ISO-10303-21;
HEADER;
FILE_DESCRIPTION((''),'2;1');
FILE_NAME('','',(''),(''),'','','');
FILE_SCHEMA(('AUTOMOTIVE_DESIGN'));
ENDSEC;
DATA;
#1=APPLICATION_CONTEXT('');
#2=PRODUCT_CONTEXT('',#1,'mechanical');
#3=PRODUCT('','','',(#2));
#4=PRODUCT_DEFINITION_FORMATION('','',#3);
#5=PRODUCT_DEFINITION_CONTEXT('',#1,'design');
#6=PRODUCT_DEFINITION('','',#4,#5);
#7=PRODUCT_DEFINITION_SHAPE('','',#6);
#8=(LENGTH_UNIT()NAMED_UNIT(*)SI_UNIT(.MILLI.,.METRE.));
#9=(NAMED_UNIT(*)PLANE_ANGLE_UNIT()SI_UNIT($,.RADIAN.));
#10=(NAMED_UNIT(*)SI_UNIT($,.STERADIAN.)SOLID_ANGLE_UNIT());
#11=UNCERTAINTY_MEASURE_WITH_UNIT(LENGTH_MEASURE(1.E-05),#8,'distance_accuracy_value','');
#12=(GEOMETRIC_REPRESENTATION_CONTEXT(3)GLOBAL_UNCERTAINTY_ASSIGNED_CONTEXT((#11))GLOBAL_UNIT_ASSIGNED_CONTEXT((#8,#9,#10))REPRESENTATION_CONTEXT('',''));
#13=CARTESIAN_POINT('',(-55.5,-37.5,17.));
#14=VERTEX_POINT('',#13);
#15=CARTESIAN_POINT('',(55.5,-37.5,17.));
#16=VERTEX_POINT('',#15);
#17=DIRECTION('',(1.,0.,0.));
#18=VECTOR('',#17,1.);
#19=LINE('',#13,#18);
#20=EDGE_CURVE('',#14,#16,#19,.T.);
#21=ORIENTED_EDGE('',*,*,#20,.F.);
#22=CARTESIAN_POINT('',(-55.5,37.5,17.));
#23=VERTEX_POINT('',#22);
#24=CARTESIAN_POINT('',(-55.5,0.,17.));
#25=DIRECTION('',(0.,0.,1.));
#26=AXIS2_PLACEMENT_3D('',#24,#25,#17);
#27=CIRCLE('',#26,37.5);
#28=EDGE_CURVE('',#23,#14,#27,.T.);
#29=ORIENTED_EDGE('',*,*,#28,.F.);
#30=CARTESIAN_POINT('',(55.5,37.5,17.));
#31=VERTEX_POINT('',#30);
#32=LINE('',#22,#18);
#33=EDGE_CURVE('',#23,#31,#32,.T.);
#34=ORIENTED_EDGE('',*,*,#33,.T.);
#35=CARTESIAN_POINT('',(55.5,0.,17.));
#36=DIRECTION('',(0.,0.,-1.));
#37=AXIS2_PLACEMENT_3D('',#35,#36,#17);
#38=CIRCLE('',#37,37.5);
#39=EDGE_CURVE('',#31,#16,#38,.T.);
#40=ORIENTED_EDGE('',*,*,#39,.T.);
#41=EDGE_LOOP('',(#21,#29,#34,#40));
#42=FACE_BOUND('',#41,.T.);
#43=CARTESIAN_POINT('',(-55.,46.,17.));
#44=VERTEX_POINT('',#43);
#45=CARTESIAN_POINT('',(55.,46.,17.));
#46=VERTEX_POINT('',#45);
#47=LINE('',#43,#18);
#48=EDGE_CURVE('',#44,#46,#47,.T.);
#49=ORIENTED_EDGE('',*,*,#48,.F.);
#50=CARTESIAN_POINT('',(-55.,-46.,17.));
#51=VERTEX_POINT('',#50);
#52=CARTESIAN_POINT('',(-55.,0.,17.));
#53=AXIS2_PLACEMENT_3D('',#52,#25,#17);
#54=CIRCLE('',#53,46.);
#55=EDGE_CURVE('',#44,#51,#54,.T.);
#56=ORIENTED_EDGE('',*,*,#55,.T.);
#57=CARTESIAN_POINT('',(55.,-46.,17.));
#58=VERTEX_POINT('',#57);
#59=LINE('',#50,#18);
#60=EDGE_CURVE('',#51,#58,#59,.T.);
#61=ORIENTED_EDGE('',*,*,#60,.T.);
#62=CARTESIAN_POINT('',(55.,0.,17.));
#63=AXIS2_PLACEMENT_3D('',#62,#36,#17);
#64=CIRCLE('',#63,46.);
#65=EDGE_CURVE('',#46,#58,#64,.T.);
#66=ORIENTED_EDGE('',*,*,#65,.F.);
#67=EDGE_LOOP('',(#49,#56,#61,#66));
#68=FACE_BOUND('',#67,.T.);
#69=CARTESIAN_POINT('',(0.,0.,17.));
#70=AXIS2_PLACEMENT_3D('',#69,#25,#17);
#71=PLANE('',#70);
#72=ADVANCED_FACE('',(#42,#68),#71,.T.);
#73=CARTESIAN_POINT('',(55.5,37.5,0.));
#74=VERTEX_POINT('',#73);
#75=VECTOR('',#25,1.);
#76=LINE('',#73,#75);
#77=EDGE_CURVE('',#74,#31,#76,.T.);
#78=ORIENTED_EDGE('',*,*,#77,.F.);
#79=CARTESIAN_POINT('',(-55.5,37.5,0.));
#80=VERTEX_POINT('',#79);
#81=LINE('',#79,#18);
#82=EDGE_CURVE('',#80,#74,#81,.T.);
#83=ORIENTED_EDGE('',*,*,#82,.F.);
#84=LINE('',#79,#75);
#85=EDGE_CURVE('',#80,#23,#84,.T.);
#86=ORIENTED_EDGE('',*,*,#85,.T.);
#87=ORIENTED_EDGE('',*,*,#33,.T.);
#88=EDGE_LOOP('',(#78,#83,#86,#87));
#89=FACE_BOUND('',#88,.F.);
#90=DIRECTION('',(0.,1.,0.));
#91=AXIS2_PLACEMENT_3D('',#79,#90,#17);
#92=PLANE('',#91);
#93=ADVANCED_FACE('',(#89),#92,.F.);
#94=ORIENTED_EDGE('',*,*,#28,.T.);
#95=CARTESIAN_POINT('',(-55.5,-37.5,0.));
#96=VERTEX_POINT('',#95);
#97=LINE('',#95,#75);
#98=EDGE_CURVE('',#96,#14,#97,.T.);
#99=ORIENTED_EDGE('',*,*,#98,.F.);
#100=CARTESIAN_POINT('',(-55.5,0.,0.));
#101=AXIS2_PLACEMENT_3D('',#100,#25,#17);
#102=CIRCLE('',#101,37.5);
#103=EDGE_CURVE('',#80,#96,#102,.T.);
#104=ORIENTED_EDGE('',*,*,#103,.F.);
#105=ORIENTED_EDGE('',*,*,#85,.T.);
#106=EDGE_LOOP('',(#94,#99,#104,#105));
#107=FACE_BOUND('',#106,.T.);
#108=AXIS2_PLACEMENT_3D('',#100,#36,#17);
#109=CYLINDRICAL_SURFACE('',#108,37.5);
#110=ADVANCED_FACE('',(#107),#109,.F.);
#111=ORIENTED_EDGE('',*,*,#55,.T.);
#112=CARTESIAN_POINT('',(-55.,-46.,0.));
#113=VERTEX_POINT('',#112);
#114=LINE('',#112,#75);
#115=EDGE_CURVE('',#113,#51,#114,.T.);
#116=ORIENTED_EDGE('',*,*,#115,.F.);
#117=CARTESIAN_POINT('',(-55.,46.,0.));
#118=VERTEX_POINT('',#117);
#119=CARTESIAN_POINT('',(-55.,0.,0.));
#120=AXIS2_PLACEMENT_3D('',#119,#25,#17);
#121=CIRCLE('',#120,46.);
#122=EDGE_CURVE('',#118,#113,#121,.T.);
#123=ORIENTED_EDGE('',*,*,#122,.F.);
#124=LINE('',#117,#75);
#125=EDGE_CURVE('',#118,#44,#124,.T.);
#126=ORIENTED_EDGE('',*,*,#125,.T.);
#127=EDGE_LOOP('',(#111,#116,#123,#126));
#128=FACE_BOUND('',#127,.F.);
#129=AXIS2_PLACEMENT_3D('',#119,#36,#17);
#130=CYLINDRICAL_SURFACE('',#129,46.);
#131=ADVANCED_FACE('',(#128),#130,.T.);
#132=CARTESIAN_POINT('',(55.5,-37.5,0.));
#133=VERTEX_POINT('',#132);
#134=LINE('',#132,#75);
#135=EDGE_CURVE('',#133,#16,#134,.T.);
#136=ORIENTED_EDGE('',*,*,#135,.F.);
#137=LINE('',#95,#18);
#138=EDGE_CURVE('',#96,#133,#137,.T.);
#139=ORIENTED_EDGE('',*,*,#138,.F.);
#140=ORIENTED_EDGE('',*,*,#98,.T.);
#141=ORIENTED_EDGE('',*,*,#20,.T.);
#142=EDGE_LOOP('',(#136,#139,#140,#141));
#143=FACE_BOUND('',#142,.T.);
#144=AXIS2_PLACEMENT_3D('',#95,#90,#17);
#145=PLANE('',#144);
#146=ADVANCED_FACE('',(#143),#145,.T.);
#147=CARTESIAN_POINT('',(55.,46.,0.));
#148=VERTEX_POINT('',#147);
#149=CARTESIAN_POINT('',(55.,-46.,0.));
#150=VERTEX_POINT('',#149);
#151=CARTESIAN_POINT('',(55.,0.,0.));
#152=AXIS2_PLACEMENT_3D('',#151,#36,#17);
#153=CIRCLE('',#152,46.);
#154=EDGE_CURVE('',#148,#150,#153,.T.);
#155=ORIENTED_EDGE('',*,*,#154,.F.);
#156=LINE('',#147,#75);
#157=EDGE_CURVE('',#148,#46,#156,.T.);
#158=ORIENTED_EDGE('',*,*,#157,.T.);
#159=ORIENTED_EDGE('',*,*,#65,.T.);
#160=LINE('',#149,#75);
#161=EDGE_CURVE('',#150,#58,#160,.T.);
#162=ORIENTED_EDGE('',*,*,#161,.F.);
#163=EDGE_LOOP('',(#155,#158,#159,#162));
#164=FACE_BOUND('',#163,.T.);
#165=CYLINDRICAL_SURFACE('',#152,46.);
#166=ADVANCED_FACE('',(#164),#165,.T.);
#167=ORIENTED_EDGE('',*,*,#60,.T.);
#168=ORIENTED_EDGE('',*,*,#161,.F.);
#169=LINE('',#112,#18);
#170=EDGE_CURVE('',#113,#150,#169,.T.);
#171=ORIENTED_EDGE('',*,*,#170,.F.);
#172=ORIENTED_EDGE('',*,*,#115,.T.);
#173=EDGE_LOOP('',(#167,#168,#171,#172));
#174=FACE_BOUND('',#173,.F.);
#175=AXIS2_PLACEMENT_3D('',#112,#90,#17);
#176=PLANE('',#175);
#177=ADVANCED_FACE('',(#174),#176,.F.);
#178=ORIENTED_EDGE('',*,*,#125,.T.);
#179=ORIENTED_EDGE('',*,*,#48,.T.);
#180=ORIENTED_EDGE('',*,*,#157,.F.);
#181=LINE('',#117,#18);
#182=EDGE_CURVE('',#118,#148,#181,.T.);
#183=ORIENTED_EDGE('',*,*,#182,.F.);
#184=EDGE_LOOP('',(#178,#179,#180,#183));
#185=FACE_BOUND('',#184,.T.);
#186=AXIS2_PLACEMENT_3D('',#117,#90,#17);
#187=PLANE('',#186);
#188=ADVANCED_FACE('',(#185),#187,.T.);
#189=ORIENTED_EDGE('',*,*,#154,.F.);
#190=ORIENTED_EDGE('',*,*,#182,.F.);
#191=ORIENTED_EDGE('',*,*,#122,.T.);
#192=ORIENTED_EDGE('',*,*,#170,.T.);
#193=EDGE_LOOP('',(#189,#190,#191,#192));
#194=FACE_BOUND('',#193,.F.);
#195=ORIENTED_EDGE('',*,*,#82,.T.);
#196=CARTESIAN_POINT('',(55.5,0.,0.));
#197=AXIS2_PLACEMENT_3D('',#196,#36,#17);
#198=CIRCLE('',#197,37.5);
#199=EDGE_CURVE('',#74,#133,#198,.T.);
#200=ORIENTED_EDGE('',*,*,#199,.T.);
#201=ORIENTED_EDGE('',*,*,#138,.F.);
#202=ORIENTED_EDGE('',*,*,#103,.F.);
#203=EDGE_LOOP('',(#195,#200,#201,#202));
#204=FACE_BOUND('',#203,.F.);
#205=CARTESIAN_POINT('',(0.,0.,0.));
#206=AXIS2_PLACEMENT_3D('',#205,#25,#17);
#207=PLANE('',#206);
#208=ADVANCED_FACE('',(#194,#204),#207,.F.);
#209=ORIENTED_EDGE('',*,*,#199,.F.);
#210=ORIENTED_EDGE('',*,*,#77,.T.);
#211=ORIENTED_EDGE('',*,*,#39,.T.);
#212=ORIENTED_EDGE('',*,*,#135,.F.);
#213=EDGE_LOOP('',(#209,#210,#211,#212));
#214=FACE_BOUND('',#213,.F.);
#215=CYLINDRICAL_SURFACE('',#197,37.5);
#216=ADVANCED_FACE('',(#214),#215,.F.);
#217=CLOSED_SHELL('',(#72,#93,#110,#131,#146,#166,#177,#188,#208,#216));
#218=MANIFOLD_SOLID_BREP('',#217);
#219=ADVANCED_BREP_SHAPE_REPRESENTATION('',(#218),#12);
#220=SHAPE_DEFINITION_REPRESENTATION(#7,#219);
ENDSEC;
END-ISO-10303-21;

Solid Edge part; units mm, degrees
sketch "Sketch1" plane through (0, 0, 0) normal (0, 0, 1) x (1, 0, 0)
  line L0 (-55, -46) -> (55, -46)
  arc A0 (55, 46) -> (55, -46) centre (55, 0) cw
  line L1 (-55, 46) -> (55, 46)
  arc A1 (-55, 46) -> (-55, -46) centre (-55, 0) ccw
  line L2 (-55.5, 37.5) -> (55.5, 37.5)
  arc A2 (55.5, 37.5) -> (55.5, -37.5) centre (55.5, 0) cw
  line L3 (-55.5, -37.5) -> (55.5, -37.5)
  arc A3 (-55.5, 37.5) -> (-55.5, -37.5) centre (-55.5, 0) ccw
  dimension "D1" = 46
  dimension "D2" = 46
  dimension "D3" = 110
  dimension "D4" = 110
  dimension "D5" = 37.5
  dimension "D6" = 37.5
extrude "Protrusion1" add sketch "Sketch1" along normal blind 17
